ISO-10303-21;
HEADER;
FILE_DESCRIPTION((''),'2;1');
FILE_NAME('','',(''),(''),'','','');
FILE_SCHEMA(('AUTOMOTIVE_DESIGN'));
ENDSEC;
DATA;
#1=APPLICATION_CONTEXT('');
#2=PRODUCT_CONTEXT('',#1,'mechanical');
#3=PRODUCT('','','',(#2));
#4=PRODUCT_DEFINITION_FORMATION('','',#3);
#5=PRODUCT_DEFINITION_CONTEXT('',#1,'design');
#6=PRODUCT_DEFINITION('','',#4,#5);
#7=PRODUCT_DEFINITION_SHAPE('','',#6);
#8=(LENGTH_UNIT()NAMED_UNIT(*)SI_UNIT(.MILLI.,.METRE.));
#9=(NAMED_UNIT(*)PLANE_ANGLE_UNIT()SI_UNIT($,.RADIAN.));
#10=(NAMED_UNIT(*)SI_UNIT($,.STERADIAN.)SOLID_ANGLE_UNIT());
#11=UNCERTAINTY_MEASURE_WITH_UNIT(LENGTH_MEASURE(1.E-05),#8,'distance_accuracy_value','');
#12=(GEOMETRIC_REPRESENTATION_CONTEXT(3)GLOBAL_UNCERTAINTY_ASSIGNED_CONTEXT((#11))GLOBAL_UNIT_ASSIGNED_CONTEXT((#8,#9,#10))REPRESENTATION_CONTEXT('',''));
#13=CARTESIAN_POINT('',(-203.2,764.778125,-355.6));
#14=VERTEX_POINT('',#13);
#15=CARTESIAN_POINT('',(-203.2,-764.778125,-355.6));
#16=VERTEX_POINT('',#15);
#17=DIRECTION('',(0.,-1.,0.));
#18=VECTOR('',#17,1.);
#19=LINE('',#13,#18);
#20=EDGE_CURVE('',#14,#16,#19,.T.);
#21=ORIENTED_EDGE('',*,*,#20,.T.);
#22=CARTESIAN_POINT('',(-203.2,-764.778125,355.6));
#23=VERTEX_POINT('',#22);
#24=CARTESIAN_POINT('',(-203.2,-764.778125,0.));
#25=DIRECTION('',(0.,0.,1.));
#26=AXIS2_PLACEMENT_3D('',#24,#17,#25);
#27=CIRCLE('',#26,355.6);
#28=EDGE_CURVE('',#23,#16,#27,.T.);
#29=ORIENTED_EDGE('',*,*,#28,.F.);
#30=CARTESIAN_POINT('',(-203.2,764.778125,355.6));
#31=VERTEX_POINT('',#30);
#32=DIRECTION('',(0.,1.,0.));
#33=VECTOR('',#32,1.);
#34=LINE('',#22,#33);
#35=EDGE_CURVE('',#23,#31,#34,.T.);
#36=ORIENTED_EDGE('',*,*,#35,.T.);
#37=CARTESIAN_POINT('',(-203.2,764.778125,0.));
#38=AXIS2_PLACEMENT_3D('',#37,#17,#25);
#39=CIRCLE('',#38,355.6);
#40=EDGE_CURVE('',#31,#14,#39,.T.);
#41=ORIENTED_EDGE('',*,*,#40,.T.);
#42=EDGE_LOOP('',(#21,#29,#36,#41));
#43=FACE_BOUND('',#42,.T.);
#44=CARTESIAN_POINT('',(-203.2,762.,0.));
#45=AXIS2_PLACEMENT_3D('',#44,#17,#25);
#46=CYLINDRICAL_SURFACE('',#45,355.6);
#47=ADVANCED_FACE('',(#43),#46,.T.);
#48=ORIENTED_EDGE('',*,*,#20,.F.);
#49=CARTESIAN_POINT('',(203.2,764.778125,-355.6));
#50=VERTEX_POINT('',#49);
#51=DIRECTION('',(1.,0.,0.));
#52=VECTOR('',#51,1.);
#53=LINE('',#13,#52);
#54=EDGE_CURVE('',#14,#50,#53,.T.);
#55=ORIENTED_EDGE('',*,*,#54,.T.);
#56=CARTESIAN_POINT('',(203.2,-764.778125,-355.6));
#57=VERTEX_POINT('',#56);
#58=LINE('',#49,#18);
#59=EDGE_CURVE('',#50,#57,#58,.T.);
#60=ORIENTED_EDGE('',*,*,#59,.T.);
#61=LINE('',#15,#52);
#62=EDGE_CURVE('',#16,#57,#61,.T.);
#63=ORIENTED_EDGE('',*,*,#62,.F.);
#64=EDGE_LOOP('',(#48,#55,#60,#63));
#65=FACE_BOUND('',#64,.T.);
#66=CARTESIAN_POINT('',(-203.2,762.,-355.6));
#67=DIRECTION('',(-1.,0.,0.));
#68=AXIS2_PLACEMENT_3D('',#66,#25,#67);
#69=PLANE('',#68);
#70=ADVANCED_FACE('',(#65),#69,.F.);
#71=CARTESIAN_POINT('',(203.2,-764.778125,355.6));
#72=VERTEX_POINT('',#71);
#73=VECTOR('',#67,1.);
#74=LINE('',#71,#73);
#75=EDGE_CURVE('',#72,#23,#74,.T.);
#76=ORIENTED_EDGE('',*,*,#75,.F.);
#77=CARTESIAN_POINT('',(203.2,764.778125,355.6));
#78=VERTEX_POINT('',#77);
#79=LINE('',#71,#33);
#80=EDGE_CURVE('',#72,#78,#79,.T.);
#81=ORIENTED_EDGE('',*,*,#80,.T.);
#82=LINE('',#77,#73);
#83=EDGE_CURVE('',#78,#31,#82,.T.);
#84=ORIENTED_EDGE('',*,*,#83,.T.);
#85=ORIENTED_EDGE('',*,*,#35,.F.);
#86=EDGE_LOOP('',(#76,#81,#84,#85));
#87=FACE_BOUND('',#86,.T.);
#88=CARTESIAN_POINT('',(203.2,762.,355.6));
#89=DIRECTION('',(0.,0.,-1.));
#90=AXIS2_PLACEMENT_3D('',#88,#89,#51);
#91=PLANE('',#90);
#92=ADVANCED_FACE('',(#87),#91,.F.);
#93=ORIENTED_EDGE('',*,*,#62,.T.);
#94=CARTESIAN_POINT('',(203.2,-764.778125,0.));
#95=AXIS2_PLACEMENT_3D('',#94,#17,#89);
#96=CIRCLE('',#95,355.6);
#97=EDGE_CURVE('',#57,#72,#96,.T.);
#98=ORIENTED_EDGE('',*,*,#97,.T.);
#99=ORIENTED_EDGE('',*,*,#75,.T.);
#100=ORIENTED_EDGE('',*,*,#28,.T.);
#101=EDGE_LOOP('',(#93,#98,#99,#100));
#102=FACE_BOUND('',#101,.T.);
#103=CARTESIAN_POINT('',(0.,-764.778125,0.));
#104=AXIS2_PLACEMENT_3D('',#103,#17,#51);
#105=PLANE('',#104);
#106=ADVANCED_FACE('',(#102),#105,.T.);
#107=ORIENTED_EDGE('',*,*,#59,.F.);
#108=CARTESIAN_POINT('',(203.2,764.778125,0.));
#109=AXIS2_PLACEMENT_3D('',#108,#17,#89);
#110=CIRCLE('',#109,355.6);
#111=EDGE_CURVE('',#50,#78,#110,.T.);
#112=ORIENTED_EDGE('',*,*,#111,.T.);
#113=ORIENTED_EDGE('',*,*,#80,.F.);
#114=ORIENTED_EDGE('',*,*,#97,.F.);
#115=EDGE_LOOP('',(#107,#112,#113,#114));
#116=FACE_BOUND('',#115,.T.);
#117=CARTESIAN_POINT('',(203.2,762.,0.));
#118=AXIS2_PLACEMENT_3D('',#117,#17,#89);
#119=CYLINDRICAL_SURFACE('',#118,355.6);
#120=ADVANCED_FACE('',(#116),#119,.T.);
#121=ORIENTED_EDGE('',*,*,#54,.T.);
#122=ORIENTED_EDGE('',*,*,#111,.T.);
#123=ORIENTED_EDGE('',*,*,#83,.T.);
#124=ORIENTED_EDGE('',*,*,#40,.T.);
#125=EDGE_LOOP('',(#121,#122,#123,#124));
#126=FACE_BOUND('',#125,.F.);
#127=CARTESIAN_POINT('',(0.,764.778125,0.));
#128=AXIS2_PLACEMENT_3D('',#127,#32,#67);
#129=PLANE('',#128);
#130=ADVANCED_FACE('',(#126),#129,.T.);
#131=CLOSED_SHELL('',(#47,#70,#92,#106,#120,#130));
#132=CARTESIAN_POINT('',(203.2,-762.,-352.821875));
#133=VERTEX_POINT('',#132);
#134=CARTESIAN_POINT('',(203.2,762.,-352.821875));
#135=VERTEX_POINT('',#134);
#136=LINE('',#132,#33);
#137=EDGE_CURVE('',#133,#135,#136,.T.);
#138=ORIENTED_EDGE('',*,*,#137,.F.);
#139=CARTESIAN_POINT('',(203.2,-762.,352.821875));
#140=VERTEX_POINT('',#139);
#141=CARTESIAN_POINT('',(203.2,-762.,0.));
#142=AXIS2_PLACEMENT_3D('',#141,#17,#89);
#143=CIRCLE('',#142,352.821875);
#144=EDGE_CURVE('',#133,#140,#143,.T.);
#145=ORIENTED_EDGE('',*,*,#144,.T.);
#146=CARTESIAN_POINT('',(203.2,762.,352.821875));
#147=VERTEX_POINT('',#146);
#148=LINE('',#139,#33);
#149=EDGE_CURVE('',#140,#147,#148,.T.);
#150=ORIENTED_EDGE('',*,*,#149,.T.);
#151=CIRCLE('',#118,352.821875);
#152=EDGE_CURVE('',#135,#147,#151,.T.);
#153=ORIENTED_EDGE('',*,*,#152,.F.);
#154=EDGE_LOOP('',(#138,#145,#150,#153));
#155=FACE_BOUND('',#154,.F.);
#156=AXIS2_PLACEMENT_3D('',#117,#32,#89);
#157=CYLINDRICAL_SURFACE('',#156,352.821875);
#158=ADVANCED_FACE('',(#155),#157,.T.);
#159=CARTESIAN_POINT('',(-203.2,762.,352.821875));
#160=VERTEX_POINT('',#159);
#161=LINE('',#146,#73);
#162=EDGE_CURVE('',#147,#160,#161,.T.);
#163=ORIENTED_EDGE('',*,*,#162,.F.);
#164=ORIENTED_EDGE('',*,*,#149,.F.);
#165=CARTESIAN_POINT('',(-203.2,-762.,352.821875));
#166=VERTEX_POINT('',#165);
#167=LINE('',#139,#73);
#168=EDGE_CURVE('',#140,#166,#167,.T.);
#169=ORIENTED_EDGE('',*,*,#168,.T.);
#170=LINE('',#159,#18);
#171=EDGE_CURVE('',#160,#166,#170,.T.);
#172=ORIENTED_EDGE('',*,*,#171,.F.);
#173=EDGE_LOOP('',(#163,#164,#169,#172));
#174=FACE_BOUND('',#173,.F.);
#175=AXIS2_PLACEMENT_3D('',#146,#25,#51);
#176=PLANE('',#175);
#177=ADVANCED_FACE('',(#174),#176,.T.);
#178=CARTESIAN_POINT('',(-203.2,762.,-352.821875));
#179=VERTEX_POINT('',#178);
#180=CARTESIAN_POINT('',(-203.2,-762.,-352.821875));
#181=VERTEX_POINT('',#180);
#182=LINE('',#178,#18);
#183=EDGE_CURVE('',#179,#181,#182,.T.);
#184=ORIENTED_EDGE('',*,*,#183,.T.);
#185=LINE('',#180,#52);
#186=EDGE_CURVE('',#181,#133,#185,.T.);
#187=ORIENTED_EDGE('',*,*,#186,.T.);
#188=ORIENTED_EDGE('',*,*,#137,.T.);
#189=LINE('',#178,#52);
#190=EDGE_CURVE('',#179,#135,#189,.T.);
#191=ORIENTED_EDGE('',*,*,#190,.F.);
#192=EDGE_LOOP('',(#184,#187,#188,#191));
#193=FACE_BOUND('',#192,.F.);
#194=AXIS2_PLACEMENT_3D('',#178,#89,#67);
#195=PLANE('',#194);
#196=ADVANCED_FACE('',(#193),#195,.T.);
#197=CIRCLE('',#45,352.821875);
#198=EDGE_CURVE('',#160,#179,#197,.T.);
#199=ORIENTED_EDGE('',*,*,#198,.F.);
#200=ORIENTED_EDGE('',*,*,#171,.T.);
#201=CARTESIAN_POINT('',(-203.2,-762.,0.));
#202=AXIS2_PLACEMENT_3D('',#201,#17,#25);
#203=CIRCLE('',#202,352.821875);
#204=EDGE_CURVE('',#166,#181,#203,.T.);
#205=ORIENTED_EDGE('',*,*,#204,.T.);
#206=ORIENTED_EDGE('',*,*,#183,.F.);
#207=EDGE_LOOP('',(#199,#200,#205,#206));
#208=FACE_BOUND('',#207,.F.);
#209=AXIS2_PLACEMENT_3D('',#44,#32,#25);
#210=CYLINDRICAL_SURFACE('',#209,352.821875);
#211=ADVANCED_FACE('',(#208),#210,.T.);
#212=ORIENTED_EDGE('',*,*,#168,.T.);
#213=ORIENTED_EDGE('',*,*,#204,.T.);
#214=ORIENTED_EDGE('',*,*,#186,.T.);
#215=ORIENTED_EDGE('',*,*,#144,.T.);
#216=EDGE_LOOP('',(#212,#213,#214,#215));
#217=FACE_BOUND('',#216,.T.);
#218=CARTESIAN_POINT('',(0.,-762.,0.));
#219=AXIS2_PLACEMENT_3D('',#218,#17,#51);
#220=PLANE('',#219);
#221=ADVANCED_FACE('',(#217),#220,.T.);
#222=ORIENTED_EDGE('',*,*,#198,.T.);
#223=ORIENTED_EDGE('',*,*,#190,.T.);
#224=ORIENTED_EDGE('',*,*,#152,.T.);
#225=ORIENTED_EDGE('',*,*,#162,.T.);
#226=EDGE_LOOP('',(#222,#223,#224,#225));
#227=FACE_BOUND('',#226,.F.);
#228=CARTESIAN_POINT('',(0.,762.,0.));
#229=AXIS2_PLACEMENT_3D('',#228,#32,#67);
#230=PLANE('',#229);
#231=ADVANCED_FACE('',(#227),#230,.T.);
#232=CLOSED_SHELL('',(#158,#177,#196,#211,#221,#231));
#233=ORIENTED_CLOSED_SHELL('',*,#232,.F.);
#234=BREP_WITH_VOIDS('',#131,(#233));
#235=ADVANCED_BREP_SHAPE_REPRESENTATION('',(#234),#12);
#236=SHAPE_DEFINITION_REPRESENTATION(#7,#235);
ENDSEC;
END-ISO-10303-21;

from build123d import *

# Parameters (mm, degrees)
F1_DEPTH = 762
F3_DEPTH = 762
F5_DEPTH = 2.778125


with BuildPart() as f1:
    # F0 (on Front) → F1 (new body)
    with BuildSketch(Plane.XZ):
        with BuildLine():
            Line((203.2, 355.6), (-203.2, 355.6))
            ThreePointArc((-203.2, 355.6), (-558.8, 0), (-203.2, -355.6))
            Line((-203.2, -355.6), (203.2, -355.6))
            ThreePointArc((203.2, -355.6), (558.8, 0), (203.2, 355.6))
        make_face()
    extrude(amount=F1_DEPTH)

    # F2 (on face) → F3 (cut, through all)
    with BuildSketch(Plane.XZ.offset(762)):
        with BuildLine():
            ThreePointArc((203.2, -352.821875), (556.021875, 0), (203.2, 352.821875))
            Line((203.2, 352.821875), (-203.2, 352.821875))
            ThreePointArc((-203.2, 352.821875), (-556.021875, 0), (-203.2, -352.821875))
            Line((-203.2, -352.821875), (203.2, -352.821875))
        make_face()
    extrude(amount=-F3_DEPTH, mode=Mode.SUBTRACT)

    # F4 (on face) → F5 (join)
    with BuildSketch(Plane.XZ.offset(762)):
        with BuildLine():
            ThreePointArc((-203.2, 355.6), (-558.8, 0), (-203.2, -355.6))
            Line((-203.2, -355.6), (203.2, -355.6))
            ThreePointArc((203.2, -355.6), (558.8, 0), (203.2, 355.6))
            Line((203.2, 355.6), (-203.2, 355.6))
        make_face()
        with BuildLine():
            ThreePointArc((203.2, 352.821875), (556.021875, 0), (203.2, -352.821875))
            Line((203.2, -352.821875), (-203.2, -352.821875))
            ThreePointArc((-203.2, -352.821875), (-556.021875, 0), (-203.2, 352.821875))
            Line((-203.2, 352.821875), (203.2, 352.821875))
        make_face(mode=Mode.SUBTRACT)
        with BuildLine():
            Line((-203.2, -352.821875), (203.2, -352.821875))
            ThreePointArc((203.2, -352.821875), (556.021875, 0), (203.2, 352.821875))
            Line((203.2, 352.821875), (-203.2, 352.821875))
            ThreePointArc((-203.2, 352.821875), (-556.021875, 0), (-203.2, -352.821875))
        make_face()
    extrude(amount=F5_DEPTH)

    # F6: F1 across plane


with BuildPart() as f1_1:
    add(f1.part)
    add(f1.part.mirror(Plane.XZ))


solid = f1_1.part
